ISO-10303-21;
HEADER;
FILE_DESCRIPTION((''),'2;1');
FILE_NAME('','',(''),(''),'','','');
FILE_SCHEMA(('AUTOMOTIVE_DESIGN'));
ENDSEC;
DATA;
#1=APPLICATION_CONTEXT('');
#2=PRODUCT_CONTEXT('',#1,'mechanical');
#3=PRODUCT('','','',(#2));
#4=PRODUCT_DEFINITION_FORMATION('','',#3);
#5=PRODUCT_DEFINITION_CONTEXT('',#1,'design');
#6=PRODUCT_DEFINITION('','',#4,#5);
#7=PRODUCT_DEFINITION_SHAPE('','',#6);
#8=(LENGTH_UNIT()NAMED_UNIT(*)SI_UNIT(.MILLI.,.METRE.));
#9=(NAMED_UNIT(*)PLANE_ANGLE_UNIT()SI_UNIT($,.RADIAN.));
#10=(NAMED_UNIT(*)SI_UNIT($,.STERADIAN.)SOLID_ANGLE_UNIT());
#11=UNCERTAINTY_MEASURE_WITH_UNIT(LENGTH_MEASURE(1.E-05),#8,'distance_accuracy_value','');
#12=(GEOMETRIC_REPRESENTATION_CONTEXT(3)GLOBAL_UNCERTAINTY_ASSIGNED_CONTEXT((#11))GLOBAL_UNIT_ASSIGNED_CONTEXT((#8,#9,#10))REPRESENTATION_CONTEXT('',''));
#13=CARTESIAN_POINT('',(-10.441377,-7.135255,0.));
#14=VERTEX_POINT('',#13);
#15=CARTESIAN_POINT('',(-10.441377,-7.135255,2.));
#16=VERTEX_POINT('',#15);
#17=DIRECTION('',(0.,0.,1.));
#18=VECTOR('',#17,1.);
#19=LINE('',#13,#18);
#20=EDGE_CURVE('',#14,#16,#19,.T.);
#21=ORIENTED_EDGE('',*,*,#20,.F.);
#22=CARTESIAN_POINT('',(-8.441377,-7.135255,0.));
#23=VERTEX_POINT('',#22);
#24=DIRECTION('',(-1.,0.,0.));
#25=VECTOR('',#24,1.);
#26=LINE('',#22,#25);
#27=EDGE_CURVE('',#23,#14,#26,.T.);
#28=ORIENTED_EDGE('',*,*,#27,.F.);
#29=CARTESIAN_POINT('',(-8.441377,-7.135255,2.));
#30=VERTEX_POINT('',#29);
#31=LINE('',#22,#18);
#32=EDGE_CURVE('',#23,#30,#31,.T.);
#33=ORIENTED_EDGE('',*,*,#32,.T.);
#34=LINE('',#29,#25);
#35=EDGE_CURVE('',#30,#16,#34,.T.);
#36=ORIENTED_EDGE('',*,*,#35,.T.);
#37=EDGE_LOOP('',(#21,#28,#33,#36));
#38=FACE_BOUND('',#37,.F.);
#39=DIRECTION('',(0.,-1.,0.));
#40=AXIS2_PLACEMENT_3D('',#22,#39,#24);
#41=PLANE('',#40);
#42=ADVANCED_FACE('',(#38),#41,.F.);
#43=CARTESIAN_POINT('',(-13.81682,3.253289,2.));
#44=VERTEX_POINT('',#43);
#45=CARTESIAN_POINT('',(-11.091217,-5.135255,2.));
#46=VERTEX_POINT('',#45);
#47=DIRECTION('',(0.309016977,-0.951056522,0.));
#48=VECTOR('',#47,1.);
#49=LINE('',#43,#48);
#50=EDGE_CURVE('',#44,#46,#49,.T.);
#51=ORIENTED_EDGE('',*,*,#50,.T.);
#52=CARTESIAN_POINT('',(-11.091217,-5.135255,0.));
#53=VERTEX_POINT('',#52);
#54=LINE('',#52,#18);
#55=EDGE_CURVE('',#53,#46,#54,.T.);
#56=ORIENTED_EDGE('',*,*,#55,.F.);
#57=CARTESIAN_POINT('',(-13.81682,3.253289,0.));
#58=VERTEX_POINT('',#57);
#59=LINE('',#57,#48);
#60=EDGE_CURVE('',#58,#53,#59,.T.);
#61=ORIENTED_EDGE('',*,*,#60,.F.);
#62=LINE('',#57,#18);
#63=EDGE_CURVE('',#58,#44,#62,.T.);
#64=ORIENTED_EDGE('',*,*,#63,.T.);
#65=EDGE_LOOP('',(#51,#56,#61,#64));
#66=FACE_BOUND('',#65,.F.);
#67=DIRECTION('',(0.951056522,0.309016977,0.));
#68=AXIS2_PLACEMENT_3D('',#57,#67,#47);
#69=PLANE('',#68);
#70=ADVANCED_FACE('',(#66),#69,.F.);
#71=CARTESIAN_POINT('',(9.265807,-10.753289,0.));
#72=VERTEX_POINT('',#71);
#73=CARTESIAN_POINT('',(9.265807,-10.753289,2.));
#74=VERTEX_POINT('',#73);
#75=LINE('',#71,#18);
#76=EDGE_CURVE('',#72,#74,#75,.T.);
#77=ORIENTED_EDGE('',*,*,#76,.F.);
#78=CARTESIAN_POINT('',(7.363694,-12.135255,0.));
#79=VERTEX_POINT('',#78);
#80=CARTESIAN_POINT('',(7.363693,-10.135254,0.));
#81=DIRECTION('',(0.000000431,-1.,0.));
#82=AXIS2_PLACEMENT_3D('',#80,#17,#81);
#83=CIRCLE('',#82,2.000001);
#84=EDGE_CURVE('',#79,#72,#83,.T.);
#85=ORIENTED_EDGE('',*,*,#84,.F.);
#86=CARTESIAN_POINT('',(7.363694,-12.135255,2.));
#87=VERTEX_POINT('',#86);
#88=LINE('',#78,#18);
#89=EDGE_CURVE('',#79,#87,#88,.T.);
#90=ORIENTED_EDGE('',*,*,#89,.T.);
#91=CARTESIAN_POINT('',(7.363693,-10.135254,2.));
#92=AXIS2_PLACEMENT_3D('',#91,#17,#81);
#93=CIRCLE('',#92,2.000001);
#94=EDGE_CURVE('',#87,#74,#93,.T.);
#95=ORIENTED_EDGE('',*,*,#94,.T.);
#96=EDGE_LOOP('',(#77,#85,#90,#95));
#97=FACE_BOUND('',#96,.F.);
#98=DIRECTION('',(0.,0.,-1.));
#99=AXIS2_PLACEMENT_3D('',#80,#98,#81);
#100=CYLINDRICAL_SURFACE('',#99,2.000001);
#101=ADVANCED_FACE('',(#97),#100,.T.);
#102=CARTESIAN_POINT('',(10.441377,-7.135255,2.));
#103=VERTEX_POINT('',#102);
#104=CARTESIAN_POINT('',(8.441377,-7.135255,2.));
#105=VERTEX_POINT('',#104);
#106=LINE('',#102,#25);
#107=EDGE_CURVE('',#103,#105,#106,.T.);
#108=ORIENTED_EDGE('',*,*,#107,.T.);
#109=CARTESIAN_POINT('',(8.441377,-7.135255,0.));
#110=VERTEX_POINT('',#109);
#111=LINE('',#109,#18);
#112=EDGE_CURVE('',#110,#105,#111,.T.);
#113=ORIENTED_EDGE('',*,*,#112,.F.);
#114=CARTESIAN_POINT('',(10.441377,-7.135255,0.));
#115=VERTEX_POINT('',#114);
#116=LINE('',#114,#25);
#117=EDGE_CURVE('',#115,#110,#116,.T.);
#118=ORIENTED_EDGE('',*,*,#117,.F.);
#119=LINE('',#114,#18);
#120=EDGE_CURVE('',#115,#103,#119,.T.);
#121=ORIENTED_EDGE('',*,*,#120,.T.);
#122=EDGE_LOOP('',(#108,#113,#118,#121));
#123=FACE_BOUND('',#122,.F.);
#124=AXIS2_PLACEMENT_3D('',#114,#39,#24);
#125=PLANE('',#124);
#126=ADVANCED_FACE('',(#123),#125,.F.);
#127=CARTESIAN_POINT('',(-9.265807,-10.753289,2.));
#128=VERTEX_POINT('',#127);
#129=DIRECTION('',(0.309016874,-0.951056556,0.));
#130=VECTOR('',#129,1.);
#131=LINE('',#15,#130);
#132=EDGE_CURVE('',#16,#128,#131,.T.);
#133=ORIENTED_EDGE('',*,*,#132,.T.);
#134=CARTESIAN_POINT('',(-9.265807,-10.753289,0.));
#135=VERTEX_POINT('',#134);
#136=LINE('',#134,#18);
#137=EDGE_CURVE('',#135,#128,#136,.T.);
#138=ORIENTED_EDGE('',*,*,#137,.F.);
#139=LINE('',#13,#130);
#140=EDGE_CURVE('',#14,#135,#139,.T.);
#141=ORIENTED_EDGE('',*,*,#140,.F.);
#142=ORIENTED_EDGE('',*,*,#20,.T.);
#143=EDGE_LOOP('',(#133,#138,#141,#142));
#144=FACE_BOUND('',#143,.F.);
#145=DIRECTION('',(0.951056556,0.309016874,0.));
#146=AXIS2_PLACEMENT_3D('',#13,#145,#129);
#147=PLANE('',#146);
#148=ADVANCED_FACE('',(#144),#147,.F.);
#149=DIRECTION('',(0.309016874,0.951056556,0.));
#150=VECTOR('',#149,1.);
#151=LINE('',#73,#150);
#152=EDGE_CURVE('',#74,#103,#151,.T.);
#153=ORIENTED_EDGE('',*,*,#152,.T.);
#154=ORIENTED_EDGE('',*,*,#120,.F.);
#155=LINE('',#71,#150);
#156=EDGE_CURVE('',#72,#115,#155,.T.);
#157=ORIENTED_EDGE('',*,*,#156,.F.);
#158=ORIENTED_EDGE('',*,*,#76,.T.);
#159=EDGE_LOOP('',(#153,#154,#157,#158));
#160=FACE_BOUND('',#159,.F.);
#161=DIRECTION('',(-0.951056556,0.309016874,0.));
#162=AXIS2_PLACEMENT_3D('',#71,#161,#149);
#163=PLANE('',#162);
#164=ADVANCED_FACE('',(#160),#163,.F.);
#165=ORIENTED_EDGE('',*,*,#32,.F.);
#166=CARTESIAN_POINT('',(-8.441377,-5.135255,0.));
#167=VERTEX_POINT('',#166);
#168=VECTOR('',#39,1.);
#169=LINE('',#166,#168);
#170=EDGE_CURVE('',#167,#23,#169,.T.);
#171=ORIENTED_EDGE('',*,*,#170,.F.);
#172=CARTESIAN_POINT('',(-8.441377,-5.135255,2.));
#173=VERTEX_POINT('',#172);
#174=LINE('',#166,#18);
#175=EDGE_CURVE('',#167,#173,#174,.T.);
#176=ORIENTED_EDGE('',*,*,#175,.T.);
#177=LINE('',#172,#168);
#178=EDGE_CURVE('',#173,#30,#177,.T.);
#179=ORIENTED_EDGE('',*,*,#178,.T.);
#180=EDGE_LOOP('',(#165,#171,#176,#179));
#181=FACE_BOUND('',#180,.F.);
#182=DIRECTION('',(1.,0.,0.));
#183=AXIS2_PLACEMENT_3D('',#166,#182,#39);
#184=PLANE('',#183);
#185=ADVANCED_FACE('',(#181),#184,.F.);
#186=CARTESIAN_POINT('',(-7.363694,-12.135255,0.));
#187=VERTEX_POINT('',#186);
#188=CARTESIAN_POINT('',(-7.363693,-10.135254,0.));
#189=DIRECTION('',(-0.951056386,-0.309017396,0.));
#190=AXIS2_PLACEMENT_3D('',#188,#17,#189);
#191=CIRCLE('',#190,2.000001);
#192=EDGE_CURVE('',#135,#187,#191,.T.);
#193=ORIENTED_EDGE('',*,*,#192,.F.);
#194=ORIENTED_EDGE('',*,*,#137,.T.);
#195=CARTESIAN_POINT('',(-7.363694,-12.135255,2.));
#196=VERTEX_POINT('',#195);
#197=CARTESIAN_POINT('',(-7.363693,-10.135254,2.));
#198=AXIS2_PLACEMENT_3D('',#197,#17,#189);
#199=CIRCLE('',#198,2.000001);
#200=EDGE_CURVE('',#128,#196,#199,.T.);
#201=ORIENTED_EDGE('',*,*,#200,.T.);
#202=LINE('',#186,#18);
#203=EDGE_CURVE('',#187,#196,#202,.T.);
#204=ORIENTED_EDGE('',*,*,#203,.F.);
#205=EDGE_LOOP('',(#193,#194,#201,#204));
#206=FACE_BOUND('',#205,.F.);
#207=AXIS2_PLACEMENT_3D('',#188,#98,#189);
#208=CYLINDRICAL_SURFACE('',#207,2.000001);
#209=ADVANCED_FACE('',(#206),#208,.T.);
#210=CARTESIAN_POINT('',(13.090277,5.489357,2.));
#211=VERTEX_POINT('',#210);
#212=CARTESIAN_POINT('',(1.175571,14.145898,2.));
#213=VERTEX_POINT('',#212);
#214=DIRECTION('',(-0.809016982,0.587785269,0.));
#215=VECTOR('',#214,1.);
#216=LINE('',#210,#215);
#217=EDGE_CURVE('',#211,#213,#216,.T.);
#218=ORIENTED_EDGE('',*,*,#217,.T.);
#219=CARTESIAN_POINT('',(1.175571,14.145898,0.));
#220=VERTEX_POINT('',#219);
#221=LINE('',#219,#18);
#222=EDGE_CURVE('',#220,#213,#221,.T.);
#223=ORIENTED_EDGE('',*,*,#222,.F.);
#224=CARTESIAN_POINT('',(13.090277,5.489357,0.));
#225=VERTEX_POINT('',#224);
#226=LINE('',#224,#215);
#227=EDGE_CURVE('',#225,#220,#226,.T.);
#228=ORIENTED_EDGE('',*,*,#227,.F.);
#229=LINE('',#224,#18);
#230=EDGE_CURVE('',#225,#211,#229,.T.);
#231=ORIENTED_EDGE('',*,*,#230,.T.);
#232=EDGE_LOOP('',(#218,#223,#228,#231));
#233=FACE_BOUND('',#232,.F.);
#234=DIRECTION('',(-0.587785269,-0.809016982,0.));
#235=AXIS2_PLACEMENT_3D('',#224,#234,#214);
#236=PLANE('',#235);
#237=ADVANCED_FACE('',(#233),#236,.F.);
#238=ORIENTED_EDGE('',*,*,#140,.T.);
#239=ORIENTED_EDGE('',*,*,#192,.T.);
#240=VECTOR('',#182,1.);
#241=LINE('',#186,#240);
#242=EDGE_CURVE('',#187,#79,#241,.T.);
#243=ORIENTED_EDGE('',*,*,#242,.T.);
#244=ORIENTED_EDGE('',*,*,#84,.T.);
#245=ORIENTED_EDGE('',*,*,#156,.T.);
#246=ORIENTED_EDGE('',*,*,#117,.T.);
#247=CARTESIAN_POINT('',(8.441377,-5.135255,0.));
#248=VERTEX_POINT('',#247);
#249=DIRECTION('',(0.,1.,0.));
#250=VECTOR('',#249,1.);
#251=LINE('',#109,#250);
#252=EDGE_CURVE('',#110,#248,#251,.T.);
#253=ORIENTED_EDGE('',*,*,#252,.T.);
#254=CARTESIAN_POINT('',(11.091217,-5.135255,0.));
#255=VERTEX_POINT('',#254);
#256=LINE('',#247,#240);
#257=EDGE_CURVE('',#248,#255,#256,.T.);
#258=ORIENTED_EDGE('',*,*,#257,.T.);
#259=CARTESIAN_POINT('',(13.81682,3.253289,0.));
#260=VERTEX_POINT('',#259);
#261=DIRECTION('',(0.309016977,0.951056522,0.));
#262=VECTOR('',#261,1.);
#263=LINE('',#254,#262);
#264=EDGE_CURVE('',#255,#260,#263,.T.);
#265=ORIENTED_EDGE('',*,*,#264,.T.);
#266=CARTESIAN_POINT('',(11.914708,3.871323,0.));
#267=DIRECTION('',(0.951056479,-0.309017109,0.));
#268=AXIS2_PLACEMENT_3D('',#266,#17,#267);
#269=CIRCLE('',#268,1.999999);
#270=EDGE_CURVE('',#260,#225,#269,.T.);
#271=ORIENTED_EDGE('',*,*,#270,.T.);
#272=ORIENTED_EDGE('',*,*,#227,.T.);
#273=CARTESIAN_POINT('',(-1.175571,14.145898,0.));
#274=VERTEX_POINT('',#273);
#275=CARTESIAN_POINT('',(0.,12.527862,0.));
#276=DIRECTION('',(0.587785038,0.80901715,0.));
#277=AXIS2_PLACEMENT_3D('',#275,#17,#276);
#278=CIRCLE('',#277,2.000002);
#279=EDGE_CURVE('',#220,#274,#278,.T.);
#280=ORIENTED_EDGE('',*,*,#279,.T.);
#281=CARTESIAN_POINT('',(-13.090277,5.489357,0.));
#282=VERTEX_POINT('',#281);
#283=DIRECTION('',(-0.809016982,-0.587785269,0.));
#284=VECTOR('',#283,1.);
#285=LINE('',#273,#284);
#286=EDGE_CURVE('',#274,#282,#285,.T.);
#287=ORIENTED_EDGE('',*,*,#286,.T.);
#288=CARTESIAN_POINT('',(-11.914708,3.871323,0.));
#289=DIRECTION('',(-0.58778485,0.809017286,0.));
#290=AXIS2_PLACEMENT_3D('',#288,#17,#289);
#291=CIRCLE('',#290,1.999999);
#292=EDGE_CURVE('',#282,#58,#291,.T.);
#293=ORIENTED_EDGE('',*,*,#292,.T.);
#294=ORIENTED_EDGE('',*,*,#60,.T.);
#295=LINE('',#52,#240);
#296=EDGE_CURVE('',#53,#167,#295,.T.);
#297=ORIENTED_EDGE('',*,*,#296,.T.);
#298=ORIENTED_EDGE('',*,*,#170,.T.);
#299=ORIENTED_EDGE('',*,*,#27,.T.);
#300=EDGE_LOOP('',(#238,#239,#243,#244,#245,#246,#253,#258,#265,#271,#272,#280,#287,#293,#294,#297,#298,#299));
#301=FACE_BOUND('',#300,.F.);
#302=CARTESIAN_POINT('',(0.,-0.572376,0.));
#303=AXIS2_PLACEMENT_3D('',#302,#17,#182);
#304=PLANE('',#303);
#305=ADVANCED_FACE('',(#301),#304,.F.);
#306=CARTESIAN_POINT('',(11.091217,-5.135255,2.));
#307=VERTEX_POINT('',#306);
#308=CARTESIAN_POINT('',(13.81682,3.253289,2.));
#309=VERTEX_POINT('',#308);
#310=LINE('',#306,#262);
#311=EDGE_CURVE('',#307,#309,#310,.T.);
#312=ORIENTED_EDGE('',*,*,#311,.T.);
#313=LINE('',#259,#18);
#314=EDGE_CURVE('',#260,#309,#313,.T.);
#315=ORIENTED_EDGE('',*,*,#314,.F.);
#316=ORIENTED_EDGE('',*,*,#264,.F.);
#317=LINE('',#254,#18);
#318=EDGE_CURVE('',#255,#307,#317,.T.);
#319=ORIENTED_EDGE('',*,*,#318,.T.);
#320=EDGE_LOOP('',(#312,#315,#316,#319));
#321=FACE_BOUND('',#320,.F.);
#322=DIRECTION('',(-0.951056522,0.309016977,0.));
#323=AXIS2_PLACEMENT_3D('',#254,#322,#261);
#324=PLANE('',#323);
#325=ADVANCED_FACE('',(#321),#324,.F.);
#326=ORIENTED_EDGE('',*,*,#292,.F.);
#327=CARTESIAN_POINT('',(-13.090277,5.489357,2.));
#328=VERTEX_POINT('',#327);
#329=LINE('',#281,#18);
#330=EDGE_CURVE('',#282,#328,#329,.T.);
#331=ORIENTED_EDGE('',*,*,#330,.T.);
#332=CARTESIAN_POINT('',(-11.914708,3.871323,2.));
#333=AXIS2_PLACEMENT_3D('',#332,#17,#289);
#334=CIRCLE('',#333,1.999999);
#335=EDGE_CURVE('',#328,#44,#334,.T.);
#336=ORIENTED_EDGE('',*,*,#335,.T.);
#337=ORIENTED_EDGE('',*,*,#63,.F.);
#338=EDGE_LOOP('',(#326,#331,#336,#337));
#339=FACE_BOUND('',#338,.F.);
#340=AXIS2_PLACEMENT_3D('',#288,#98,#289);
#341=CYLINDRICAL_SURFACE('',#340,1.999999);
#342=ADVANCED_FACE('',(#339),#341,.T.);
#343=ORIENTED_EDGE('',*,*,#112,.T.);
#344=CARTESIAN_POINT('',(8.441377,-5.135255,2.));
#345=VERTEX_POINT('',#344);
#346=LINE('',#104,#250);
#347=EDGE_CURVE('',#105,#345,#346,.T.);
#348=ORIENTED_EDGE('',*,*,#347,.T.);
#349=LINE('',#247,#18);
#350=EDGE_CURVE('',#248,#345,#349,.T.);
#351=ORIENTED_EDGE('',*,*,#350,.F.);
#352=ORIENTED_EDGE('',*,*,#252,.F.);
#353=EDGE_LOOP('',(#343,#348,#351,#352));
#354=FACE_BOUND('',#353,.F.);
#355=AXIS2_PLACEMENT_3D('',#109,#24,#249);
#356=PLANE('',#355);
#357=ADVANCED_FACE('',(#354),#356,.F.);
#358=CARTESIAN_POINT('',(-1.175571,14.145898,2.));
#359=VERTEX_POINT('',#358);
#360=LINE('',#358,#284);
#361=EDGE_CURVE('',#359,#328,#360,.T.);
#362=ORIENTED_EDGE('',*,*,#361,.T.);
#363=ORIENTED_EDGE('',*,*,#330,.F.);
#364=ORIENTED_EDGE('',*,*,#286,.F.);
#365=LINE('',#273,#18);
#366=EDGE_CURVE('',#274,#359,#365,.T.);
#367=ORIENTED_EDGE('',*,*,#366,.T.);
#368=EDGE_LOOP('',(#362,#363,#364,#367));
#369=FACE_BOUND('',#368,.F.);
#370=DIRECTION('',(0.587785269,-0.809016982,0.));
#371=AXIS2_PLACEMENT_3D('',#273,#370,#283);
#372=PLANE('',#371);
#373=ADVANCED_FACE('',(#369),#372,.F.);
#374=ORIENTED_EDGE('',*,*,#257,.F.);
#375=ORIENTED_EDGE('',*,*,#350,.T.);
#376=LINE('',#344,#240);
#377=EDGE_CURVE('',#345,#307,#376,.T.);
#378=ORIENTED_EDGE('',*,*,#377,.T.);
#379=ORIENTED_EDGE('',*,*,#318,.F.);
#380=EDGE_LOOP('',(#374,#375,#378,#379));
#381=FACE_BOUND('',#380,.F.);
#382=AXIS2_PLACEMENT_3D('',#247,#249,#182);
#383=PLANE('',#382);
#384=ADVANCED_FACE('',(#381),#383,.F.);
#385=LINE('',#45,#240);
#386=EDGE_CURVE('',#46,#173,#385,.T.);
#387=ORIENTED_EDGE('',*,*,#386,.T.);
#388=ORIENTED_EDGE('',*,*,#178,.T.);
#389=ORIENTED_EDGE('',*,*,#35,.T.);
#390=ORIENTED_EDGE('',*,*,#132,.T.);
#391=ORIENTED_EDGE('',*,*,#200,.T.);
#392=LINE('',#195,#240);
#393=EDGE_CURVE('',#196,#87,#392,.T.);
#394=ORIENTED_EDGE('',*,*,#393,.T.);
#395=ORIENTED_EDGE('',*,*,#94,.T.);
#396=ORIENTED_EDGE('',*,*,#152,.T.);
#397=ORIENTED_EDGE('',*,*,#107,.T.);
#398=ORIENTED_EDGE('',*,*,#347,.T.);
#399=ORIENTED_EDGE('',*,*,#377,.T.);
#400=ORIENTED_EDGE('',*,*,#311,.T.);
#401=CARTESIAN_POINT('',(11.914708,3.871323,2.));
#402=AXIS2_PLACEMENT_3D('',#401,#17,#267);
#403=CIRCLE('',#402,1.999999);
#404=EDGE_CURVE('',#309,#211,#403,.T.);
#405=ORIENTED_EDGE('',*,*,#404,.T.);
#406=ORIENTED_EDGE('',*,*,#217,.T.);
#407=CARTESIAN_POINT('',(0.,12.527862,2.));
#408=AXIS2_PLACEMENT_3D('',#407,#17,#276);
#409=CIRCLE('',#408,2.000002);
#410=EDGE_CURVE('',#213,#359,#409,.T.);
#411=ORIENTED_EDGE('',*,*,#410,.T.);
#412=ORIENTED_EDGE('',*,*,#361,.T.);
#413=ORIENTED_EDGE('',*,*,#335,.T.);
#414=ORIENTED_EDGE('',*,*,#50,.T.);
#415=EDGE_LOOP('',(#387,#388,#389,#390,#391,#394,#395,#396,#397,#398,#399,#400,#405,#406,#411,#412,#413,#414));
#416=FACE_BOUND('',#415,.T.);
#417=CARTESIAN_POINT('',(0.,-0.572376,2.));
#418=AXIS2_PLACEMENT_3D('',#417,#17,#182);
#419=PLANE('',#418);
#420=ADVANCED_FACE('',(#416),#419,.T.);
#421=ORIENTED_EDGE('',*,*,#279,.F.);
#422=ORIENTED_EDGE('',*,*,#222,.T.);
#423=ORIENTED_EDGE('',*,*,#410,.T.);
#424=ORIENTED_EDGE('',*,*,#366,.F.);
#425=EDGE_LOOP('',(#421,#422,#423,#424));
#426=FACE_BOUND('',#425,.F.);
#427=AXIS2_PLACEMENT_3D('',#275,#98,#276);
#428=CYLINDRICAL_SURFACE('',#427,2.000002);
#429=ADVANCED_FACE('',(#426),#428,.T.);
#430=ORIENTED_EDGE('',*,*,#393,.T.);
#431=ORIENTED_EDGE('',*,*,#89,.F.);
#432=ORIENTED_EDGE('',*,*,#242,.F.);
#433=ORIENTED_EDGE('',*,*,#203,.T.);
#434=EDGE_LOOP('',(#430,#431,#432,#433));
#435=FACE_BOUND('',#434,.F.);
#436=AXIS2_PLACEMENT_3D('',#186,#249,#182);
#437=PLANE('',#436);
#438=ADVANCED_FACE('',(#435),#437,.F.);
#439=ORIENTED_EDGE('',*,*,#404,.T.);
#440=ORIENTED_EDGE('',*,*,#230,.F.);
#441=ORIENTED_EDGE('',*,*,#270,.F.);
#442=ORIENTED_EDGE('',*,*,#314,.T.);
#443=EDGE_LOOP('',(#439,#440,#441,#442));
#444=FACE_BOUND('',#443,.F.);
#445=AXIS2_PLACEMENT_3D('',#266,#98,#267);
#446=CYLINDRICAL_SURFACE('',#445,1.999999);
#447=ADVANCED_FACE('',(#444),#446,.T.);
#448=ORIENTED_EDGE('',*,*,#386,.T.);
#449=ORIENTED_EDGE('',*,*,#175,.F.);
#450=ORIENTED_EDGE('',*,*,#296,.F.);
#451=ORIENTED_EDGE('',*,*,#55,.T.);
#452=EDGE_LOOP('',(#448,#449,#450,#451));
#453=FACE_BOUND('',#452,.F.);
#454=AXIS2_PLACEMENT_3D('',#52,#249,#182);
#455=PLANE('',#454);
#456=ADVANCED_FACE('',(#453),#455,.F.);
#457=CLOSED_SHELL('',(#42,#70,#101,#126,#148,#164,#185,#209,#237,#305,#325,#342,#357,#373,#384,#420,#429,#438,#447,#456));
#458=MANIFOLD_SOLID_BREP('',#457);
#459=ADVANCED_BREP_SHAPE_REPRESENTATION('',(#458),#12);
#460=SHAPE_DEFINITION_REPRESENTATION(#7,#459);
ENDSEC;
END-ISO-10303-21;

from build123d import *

# Parameters (mm, degrees)
F1_DEPTH = 2


with BuildPart() as f1:
    # F0 (on Top) → F1 (new body)
    with BuildSketch(Plane.XY):
        with BuildLine():
            Line((13.090277, 5.489357), (1.175571, 14.145898))
            ThreePointArc((1.175571, 14.145898), (0, 14.527864), (-1.175571, 14.145898))
            Line((-1.175571, 14.145898), (-13.090277, 5.489357))
            ThreePointArc((-13.090277, 5.489357), (-13.81682, 4.489357), (-13.81682, 3.253289))
            Line((-13.81682, 3.253289), (-11.091217, -5.135255))
            Line((-11.091217, -5.135255), (-8.441377, -5.135255))
            Line((-8.441377, -5.135255), (-8.441377, -7.135255))
            Line((-8.441377, -7.135255), (-10.441377, -7.135255))
            Line((-10.441377, -7.135255), (-9.265807, -10.753289))
            ThreePointArc((-9.265807, -10.753289), (-8.539264, -11.753289), (-7.363694, -12.135255))
            Line((-7.363694, -12.135255), (7.363694, -12.135255))
            ThreePointArc((7.363694, -12.135255), (8.539264, -11.753289), (9.265807, -10.753289))
            Line((9.265807, -10.753289), (10.441377, -7.135255))
            Line((10.441377, -7.135255), (8.441377, -7.135255))
            Line((8.441377, -7.135255), (8.441377, -5.135255))
            Line((8.441377, -5.135255), (11.091217, -5.135255))
            Line((11.091217, -5.135255), (13.81682, 3.253289))
            ThreePointArc((13.81682, 3.253289), (13.81682, 4.489357), (13.090277, 5.489357))
        make_face()
    extrude(amount=F1_DEPTH)


solid = f1.part
